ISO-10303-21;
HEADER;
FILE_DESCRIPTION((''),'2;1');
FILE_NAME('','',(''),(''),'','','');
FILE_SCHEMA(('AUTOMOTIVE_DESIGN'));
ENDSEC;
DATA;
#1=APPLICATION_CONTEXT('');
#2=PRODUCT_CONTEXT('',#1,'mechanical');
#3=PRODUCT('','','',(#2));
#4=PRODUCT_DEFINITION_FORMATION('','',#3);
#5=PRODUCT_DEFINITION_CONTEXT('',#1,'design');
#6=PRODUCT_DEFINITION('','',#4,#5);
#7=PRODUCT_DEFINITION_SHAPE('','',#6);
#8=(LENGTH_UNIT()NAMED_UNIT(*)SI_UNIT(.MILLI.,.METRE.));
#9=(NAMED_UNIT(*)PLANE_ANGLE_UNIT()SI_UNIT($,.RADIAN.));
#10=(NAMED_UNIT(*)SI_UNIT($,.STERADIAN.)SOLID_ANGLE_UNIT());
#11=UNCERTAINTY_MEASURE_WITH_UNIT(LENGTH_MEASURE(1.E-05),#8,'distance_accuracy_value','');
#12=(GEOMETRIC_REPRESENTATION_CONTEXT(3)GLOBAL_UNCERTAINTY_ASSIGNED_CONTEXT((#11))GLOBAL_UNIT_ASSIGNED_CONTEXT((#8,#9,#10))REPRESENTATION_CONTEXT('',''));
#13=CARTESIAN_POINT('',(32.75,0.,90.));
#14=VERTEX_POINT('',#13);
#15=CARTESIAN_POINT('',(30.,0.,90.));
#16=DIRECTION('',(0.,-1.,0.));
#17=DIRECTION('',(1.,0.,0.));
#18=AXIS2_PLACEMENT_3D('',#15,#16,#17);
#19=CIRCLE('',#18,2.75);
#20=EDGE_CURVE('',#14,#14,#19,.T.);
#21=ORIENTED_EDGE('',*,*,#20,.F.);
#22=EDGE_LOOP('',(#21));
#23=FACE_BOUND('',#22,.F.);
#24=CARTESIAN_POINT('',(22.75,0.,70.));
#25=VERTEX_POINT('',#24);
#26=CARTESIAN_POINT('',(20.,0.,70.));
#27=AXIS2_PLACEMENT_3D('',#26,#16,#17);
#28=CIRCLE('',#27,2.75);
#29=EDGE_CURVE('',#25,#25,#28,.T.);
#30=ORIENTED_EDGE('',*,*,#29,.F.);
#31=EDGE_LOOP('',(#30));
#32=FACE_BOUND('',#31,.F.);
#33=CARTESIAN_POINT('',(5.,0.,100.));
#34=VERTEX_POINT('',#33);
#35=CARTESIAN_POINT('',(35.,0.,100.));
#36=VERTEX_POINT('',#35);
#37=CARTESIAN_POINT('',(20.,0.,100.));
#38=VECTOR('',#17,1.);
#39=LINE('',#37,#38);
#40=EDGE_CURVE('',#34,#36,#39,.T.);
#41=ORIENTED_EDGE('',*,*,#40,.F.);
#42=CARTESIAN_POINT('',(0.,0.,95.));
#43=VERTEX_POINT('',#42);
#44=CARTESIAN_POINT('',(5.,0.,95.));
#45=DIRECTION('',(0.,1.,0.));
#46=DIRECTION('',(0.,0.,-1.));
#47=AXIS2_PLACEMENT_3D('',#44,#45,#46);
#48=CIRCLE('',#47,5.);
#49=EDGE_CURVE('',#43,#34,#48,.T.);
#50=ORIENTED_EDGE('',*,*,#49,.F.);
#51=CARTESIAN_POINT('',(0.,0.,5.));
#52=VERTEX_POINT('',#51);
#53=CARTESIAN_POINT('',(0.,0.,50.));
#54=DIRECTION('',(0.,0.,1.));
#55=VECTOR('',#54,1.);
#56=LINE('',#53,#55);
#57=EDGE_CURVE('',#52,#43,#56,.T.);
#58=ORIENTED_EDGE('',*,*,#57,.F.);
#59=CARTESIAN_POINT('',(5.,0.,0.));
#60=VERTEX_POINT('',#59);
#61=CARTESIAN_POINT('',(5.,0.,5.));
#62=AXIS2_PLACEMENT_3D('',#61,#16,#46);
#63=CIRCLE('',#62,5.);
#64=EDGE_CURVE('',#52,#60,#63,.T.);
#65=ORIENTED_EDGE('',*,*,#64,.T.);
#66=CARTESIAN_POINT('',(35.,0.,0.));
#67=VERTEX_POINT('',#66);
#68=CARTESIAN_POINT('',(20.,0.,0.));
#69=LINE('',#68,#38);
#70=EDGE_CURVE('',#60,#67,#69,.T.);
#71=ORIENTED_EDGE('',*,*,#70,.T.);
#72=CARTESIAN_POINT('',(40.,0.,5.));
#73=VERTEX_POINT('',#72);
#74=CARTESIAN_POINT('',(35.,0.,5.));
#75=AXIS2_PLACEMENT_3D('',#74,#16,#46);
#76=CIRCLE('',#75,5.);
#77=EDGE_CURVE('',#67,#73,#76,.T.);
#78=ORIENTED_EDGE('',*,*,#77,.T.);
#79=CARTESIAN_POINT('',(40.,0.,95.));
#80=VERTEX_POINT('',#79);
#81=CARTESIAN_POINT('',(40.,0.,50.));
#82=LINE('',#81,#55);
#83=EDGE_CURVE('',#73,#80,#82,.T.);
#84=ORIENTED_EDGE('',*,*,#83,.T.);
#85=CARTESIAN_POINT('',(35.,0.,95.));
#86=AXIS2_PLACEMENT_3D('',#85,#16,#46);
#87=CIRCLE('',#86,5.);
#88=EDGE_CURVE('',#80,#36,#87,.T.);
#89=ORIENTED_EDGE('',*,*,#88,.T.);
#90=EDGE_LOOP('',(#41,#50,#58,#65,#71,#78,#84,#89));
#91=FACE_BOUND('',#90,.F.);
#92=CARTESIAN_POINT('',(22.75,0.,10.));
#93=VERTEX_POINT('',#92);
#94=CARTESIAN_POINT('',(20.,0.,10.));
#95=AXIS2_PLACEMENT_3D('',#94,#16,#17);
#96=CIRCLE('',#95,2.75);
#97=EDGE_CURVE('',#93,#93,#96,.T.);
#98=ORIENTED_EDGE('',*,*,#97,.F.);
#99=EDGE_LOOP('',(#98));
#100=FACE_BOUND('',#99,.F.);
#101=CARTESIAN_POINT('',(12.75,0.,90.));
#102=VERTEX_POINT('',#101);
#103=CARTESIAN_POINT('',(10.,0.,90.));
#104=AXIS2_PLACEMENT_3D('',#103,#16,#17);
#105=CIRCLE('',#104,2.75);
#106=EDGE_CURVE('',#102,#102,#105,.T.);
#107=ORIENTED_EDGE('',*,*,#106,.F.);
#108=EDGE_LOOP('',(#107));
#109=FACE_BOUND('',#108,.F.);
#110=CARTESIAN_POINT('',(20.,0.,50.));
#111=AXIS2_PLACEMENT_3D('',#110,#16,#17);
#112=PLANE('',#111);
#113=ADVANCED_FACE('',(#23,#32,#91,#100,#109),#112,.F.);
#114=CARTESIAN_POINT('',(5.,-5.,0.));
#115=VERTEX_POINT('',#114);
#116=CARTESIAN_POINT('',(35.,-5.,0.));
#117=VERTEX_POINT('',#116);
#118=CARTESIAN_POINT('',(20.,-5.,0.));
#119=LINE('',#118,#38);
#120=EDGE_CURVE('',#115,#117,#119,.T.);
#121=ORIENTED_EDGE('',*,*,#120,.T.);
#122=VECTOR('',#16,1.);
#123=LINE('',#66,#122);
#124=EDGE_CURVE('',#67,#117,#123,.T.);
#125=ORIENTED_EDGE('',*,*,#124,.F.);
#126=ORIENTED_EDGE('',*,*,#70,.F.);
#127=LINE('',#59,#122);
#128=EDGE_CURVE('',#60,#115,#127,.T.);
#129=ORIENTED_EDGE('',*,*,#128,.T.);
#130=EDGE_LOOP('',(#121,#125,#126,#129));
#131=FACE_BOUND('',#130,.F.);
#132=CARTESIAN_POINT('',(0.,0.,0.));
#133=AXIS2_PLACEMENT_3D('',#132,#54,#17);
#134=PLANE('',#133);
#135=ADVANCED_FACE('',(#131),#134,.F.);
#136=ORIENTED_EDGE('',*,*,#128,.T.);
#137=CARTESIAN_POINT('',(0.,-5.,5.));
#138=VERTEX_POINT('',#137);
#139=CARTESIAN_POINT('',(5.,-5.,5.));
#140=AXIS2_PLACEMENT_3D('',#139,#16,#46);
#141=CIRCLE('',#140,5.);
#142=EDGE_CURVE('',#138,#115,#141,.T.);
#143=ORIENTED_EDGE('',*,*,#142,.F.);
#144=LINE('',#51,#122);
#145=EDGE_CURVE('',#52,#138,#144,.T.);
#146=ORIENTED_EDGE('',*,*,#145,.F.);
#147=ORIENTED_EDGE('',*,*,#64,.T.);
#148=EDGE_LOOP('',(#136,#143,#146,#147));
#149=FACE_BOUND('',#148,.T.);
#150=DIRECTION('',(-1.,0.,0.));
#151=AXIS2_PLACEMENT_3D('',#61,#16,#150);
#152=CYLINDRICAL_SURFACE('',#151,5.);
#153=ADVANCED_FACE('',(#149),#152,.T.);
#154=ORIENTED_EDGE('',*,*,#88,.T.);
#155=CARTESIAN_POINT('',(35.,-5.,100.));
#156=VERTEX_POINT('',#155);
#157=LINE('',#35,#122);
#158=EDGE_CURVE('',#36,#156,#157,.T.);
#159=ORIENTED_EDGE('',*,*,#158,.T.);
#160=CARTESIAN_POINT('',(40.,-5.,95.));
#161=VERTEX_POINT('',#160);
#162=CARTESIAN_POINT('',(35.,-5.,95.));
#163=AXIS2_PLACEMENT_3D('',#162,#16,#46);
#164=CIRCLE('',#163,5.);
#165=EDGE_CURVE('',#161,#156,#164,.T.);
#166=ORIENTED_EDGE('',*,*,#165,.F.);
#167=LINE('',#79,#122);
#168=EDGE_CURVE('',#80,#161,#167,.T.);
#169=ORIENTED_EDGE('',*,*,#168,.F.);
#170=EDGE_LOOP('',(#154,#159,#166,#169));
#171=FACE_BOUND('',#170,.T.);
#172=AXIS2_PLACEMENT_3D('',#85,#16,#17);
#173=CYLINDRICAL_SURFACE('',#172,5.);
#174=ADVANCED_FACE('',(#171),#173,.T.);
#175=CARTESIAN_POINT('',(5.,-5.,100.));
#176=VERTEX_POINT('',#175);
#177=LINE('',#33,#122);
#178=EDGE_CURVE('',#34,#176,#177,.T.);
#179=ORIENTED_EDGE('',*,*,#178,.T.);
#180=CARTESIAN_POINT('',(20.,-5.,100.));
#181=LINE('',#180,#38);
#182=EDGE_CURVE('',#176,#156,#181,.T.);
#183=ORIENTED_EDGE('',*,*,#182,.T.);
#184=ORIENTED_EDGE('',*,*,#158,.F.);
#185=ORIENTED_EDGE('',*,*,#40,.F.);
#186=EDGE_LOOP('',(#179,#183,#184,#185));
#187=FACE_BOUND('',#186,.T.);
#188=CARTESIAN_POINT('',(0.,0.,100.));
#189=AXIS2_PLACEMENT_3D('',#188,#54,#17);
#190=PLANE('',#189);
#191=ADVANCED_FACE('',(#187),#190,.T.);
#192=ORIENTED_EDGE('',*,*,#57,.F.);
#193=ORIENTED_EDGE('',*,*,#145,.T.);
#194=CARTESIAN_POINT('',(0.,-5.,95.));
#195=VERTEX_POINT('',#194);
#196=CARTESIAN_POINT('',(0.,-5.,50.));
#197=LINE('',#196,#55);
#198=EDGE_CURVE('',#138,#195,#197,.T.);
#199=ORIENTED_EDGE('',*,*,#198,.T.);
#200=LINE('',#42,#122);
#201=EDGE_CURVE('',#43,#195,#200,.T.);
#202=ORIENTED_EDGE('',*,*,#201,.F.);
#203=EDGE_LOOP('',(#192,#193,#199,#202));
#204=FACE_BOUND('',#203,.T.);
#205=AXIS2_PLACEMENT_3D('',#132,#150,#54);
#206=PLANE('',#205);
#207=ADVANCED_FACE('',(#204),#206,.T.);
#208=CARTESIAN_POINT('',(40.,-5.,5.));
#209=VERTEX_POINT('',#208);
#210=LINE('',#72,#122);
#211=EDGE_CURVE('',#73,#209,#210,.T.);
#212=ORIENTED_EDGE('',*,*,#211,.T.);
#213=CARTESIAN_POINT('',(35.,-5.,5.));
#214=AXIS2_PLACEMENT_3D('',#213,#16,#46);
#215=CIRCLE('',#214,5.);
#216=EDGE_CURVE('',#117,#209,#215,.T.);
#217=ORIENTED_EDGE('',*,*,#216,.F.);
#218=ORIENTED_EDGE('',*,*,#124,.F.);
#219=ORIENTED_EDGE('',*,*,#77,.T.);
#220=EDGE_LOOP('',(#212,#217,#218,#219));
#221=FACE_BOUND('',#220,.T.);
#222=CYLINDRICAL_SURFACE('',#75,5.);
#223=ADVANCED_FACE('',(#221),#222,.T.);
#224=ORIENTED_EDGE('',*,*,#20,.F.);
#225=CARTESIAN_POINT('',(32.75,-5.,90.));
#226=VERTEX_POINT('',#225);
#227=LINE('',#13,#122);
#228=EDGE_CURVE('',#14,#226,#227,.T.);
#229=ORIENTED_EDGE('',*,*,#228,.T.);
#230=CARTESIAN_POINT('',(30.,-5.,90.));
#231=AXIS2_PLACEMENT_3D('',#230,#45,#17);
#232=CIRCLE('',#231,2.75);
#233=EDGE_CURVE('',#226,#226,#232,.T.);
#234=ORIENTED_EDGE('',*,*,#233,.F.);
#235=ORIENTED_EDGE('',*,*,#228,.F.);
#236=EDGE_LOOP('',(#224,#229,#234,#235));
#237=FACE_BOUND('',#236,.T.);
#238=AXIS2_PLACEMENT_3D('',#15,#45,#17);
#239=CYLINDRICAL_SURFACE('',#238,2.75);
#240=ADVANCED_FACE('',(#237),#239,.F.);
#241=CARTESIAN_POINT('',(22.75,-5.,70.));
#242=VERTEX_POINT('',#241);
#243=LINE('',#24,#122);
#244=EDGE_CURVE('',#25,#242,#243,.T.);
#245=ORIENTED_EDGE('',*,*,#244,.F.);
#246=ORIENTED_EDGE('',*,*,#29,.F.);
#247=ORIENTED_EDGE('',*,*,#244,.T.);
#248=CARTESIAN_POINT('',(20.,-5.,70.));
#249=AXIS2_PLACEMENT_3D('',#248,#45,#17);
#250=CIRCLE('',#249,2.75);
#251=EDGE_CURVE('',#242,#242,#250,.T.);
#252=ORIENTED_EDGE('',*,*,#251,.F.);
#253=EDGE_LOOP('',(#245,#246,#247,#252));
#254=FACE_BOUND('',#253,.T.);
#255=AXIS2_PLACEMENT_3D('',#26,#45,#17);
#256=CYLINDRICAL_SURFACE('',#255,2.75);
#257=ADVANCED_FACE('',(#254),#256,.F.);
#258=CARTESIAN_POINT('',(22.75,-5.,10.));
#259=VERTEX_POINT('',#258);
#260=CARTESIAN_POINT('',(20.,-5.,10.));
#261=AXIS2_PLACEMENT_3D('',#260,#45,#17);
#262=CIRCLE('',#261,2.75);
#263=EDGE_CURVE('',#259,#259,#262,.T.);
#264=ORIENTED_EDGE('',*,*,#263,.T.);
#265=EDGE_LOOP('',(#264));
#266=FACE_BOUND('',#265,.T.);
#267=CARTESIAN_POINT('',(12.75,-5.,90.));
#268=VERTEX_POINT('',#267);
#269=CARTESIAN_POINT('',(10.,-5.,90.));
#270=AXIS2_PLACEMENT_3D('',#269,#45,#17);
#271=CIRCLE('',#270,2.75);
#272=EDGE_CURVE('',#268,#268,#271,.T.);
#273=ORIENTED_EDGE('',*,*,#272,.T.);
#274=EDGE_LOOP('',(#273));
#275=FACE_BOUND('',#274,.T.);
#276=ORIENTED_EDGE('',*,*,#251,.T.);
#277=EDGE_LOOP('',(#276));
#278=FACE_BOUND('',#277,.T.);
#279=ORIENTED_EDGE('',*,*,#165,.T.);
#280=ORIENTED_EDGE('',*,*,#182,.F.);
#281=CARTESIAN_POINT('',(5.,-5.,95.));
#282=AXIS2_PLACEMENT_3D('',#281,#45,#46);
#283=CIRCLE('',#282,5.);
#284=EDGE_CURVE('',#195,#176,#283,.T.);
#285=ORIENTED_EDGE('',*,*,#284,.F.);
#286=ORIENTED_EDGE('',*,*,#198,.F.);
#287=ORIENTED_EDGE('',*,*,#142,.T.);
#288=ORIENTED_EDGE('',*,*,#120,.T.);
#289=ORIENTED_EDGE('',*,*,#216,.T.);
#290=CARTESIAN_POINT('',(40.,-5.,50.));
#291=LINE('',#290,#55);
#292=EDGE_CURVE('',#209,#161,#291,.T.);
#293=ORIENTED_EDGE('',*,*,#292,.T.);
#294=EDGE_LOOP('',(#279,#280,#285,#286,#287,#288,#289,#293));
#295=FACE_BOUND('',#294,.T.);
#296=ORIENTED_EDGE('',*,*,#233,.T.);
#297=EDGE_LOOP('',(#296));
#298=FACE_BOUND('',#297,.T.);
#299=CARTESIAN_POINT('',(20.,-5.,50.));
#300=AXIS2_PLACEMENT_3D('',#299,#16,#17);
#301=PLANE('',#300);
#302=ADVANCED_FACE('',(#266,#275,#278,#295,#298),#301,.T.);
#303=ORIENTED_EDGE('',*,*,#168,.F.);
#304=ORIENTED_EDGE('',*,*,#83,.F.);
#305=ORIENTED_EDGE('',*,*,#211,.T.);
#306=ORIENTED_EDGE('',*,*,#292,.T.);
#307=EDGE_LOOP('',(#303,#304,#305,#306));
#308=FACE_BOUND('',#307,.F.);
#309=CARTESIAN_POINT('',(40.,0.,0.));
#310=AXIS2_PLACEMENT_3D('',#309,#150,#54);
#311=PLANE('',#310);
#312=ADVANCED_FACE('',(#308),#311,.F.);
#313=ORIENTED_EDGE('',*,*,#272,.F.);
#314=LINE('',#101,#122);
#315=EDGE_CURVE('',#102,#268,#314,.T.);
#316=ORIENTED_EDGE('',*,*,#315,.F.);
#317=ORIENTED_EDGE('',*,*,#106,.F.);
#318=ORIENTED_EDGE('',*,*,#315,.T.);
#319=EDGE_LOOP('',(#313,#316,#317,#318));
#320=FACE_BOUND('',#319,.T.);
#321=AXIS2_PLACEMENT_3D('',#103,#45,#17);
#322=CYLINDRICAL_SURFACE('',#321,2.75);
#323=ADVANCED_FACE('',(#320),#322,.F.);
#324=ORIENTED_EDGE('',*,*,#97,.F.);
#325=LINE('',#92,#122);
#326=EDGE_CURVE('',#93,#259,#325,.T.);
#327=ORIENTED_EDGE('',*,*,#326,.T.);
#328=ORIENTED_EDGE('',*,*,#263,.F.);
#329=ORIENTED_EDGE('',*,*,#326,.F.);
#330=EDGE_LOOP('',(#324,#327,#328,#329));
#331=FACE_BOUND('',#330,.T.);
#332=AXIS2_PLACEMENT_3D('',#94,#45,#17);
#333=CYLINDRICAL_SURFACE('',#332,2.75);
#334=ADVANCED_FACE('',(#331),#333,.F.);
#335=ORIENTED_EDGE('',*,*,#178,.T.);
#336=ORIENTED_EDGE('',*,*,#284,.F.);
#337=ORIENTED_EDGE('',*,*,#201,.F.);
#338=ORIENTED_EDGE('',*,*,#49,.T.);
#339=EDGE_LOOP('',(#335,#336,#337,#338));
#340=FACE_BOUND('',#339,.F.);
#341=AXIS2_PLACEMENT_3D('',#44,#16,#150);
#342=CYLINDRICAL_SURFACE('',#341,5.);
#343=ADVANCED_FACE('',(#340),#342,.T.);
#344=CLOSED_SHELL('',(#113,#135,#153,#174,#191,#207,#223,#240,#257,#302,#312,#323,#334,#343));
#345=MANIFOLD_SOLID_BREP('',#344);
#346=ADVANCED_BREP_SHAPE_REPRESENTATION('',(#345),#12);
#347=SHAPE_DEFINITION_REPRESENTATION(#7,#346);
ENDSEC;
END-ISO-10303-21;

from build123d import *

# Parameters (mm, degrees)
F0_W     = 40
F0_H     = 100
F1_DEPTH = 5
F2_R     = 5
F3_R     = 2.75
F4_DEPTH = 5.001


with BuildPart() as f1:
    # F0 (on Front) → F1 (new body)
    with BuildSketch(Plane.XZ):
        with Locations((20, 50)):
            Rectangle(F0_W, F0_H)
    extrude(amount=F1_DEPTH)

    # F2
    f2_edges = [f1.edges().sort_by_distance(p)[0] for p in [
        (0, -2.5, 100),
        (40, -2.5, 100),
        (40, -2.5, 0),
        (0, -2.5, 0),
    ]]
    fillet(f2_edges, radius=F2_R)


with BuildPart() as f4:
    # F3 (on Front) → F4 (new body, through all)
    with BuildSketch(Plane.XZ):
        with Locations((20, 10)):
            Circle(F3_R)
    extrude(amount=F4_DEPTH)


with BuildPart() as f1_1:
    add(f1.part)

    # F5: cut F4
    add(f4.part, mode=Mode.SUBTRACT)


with BuildPart() as f6_1:
    # F6: copy of F4
    add(f4.part.moved(Location((0, 0, 60))))


with BuildPart() as f7_1:
    # F7: copy of F6_1
    add(f6_1.part.moved(Location((10, 0, 20))))


with BuildPart() as f8_1:
    # F8: copy of F6_1
    add(f6_1.part.moved(Location((-10, 0, 20))))


with BuildPart() as f1_2:
    add(f1_1.part)

    # F9: cut F8_1, F7_1, F6_1, F4
    add(f8_1.part, mode=Mode.SUBTRACT)
    add(f7_1.part, mode=Mode.SUBTRACT)
    add(f6_1.part, mode=Mode.SUBTRACT)
    add(f4.part, mode=Mode.SUBTRACT)


solid = f1_2.part
